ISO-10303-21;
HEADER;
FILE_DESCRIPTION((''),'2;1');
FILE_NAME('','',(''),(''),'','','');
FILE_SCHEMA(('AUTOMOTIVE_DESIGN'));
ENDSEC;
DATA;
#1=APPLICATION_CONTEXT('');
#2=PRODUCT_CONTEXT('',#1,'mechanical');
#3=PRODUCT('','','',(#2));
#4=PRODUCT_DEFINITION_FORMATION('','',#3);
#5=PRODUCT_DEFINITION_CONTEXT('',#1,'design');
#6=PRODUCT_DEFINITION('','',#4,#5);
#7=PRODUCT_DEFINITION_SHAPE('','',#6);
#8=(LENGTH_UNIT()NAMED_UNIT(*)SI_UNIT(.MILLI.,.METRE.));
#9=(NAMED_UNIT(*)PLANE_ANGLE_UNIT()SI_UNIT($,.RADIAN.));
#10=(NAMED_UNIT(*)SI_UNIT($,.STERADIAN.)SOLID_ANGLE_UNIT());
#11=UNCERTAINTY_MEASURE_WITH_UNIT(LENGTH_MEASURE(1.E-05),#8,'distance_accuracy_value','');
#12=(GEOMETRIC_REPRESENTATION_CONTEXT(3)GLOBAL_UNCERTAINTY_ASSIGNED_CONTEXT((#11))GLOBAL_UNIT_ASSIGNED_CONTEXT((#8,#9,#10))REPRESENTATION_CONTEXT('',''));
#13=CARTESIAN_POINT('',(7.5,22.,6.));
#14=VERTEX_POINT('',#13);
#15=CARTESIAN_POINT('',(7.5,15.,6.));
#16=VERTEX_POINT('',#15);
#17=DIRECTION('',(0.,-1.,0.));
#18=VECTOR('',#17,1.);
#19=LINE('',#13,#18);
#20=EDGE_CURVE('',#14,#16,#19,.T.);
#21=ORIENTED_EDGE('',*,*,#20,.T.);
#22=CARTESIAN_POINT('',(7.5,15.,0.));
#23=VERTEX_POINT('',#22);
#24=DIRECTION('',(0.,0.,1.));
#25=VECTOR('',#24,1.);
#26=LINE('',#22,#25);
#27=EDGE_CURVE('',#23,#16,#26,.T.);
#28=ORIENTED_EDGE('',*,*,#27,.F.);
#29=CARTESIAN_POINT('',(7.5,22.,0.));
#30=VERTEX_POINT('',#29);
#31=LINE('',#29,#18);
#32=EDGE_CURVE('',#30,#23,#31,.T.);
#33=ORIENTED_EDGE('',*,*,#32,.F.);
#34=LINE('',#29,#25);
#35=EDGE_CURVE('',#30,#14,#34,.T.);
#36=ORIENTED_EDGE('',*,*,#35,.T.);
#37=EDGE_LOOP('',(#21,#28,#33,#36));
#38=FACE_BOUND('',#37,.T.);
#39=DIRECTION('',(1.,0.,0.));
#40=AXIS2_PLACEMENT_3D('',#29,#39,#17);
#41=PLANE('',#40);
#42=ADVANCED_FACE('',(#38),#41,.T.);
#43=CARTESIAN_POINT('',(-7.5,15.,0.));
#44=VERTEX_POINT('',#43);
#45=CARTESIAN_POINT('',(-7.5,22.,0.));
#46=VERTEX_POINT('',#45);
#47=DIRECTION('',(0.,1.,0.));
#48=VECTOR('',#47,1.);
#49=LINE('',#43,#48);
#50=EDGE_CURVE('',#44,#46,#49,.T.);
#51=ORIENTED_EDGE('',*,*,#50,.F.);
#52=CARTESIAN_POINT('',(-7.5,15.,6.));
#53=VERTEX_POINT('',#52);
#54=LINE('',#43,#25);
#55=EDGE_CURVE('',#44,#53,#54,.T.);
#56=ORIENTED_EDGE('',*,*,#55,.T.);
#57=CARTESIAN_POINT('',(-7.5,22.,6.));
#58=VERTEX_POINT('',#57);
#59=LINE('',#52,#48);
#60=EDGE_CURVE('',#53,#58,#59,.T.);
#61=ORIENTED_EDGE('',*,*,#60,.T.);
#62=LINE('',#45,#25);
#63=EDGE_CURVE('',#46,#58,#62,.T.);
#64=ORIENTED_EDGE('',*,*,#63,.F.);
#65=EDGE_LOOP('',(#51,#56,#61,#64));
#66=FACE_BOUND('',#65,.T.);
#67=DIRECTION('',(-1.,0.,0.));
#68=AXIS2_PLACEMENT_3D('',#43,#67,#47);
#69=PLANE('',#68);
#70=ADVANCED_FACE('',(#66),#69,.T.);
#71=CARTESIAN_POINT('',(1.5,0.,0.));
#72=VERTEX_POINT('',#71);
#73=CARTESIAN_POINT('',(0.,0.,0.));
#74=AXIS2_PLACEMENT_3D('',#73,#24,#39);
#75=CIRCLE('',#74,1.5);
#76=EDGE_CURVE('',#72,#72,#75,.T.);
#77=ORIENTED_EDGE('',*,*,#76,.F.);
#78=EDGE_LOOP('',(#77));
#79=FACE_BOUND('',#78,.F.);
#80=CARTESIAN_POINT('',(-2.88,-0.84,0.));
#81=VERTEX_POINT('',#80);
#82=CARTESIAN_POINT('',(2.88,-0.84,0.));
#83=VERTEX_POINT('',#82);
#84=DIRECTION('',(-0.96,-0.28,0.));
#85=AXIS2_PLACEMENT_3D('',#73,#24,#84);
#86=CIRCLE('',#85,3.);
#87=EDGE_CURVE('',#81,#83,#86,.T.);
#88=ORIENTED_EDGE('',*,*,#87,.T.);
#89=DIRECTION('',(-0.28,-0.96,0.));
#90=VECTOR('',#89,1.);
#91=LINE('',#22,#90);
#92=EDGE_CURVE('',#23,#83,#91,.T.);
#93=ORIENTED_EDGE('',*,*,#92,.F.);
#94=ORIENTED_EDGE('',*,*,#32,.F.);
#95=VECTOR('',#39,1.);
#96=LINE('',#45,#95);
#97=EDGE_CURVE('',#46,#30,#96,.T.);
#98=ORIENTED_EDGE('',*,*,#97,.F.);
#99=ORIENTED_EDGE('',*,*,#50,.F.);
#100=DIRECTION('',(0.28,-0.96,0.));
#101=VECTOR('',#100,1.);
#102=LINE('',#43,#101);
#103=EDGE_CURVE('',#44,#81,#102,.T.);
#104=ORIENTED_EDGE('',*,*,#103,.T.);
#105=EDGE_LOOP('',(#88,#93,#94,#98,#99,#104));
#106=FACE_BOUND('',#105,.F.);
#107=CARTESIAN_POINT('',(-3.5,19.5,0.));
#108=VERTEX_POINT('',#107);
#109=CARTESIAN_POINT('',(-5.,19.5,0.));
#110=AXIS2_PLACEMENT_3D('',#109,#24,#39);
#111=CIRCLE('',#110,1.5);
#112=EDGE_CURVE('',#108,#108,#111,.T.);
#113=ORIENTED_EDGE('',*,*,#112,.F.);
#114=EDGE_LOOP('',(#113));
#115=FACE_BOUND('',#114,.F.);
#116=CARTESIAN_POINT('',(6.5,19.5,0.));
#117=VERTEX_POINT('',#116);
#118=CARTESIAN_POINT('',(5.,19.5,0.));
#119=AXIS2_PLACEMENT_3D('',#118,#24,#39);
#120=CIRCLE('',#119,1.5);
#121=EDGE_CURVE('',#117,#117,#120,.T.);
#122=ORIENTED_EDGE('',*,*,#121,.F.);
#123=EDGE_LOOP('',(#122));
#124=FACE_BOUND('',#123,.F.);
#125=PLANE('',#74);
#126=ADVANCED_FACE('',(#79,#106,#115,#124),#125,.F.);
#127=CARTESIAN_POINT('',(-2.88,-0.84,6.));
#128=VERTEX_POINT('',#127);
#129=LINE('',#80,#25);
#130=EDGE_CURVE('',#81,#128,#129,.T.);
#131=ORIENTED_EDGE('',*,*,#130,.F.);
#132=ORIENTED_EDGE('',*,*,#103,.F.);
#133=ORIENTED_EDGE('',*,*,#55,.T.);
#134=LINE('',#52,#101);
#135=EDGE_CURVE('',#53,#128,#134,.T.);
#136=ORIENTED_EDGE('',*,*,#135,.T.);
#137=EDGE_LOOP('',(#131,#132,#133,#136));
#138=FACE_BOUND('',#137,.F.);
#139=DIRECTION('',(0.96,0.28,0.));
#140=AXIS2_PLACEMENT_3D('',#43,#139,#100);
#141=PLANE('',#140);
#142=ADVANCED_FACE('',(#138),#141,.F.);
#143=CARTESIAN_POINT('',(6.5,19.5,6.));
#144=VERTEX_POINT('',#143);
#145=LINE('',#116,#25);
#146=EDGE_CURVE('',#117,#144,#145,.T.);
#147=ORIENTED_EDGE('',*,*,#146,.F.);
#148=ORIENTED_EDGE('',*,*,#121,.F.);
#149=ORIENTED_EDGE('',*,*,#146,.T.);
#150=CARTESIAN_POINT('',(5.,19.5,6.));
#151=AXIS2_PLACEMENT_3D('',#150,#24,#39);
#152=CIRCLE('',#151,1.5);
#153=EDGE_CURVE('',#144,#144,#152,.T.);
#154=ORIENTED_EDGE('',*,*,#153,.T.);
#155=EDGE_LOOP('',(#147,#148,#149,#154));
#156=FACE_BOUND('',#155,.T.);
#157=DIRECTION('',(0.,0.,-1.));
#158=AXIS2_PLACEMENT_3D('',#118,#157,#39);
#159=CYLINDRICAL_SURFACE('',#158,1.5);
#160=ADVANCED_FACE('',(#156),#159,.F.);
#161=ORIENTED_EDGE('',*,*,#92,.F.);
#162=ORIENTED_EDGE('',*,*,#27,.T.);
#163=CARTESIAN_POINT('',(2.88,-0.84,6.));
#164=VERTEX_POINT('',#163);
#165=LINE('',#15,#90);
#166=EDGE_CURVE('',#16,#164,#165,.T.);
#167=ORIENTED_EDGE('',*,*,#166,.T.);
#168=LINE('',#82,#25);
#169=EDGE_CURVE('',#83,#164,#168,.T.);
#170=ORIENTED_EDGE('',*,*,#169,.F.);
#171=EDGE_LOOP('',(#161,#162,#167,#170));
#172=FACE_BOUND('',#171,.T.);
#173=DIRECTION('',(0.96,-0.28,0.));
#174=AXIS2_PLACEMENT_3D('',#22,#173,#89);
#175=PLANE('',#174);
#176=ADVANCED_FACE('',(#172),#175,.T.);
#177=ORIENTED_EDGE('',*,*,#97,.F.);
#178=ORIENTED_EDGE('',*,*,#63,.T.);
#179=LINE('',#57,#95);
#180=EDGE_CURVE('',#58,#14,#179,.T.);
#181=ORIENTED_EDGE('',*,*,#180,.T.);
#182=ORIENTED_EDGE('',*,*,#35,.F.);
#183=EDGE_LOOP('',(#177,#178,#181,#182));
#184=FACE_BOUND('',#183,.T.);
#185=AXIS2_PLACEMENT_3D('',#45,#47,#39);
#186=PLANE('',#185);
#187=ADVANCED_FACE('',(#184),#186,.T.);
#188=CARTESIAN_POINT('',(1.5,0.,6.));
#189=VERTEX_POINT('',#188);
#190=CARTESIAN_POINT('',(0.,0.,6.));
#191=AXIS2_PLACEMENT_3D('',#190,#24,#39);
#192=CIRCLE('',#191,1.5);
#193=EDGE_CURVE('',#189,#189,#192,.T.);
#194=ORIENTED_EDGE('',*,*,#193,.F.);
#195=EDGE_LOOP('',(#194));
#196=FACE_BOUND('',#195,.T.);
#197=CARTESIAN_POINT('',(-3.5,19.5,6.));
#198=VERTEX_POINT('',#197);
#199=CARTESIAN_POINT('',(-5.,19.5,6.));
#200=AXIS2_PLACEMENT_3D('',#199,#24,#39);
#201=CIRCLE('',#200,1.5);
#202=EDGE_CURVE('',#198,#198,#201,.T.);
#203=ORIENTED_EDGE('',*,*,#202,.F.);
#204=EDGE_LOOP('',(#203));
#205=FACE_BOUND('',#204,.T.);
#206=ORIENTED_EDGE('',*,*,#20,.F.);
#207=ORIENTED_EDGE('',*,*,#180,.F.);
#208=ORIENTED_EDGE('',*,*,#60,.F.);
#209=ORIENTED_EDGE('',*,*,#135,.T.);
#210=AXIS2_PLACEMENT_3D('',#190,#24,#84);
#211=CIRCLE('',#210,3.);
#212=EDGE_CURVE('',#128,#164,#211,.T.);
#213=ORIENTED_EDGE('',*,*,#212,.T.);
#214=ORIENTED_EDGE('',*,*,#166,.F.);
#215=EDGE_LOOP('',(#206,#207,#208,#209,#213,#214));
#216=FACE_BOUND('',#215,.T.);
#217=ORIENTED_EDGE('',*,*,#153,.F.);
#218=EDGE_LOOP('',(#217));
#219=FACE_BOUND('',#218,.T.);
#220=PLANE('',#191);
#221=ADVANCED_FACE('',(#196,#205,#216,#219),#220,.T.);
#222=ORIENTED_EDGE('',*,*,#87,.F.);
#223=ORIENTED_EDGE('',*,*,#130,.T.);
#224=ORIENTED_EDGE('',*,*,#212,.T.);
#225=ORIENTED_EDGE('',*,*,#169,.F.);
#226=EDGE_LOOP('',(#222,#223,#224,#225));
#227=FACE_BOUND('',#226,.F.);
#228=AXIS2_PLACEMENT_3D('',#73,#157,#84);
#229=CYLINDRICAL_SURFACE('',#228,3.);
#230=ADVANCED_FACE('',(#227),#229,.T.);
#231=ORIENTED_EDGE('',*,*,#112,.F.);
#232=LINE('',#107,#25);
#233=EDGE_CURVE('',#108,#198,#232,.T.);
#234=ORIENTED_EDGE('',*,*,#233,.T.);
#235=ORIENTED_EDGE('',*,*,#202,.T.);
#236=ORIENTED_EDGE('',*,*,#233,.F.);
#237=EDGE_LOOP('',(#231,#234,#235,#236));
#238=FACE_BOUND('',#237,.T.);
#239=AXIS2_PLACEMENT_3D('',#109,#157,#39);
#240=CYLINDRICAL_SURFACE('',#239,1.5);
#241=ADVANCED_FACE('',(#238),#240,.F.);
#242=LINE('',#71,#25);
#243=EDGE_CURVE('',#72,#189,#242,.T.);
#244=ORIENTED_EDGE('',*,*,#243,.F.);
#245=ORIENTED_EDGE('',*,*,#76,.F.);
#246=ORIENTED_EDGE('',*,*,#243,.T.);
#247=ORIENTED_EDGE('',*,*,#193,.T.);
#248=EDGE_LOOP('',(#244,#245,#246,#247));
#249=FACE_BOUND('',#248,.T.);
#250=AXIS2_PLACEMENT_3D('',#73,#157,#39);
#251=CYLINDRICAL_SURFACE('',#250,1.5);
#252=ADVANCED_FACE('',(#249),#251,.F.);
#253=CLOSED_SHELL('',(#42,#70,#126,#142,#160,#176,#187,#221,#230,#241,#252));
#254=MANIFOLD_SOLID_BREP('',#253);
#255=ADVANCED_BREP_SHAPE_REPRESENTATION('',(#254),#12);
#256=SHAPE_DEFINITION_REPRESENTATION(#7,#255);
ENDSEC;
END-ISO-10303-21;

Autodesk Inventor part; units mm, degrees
ref_plane "YZ Plane" through (0, 0, 0) normal (1, 0, 0) x (0, 1, 0)
ref_plane "XZ Plane" through (0, 0, 0) normal (0, 1, 0) x (-1, 0, 0)
ref_plane "XY Plane" through (0, 0, 0) normal (0, 0, 1) x (1, 0, 0)
sketch "스케치1" plane through (0, 0, 0) normal (0, 0, 1) x (1, 0, 0)
  circle A0 centre (0, 0) radius 1.5
  arc A1 (-2.88, -0.84) -> (2.88, -0.84) centre (0, 0) ccw
  line L0 (-7.5, 22) -> (7.5, 22)
  line L1 (7.5, 22) -> (7.5, 15)
  line L2 (-7.5, 15) -> (-7.5, 22)
  line L3 (-7.5, 15) -> (-2.88, -0.84)
  line L4 (7.5, 15) -> (2.88, -0.84)
  circle A2 centre (-5, 19.5) radius 1.5
  circle A3 centre (5, 19.5) radius 1.5
  point P0 (0, 22)
  point P1 (0, -3)
  dimension "d0" = 3
  dimension "d1" = 6
  dimension "d2" = 3
  dimension "d3" = 3
  dimension "d4" = 15
  dimension "d5" = 25
  dimension "d6" = 2.5
  dimension "d7" = 2.5
  dimension "d8" = 2.5
  dimension "d9" = 7
extrude "돌출1" add sketch "스케치1" along normal blind 6
equation "\"d7\" = d6"
equation "\"d8\" = d7"
properties part number "SteeringBase"
